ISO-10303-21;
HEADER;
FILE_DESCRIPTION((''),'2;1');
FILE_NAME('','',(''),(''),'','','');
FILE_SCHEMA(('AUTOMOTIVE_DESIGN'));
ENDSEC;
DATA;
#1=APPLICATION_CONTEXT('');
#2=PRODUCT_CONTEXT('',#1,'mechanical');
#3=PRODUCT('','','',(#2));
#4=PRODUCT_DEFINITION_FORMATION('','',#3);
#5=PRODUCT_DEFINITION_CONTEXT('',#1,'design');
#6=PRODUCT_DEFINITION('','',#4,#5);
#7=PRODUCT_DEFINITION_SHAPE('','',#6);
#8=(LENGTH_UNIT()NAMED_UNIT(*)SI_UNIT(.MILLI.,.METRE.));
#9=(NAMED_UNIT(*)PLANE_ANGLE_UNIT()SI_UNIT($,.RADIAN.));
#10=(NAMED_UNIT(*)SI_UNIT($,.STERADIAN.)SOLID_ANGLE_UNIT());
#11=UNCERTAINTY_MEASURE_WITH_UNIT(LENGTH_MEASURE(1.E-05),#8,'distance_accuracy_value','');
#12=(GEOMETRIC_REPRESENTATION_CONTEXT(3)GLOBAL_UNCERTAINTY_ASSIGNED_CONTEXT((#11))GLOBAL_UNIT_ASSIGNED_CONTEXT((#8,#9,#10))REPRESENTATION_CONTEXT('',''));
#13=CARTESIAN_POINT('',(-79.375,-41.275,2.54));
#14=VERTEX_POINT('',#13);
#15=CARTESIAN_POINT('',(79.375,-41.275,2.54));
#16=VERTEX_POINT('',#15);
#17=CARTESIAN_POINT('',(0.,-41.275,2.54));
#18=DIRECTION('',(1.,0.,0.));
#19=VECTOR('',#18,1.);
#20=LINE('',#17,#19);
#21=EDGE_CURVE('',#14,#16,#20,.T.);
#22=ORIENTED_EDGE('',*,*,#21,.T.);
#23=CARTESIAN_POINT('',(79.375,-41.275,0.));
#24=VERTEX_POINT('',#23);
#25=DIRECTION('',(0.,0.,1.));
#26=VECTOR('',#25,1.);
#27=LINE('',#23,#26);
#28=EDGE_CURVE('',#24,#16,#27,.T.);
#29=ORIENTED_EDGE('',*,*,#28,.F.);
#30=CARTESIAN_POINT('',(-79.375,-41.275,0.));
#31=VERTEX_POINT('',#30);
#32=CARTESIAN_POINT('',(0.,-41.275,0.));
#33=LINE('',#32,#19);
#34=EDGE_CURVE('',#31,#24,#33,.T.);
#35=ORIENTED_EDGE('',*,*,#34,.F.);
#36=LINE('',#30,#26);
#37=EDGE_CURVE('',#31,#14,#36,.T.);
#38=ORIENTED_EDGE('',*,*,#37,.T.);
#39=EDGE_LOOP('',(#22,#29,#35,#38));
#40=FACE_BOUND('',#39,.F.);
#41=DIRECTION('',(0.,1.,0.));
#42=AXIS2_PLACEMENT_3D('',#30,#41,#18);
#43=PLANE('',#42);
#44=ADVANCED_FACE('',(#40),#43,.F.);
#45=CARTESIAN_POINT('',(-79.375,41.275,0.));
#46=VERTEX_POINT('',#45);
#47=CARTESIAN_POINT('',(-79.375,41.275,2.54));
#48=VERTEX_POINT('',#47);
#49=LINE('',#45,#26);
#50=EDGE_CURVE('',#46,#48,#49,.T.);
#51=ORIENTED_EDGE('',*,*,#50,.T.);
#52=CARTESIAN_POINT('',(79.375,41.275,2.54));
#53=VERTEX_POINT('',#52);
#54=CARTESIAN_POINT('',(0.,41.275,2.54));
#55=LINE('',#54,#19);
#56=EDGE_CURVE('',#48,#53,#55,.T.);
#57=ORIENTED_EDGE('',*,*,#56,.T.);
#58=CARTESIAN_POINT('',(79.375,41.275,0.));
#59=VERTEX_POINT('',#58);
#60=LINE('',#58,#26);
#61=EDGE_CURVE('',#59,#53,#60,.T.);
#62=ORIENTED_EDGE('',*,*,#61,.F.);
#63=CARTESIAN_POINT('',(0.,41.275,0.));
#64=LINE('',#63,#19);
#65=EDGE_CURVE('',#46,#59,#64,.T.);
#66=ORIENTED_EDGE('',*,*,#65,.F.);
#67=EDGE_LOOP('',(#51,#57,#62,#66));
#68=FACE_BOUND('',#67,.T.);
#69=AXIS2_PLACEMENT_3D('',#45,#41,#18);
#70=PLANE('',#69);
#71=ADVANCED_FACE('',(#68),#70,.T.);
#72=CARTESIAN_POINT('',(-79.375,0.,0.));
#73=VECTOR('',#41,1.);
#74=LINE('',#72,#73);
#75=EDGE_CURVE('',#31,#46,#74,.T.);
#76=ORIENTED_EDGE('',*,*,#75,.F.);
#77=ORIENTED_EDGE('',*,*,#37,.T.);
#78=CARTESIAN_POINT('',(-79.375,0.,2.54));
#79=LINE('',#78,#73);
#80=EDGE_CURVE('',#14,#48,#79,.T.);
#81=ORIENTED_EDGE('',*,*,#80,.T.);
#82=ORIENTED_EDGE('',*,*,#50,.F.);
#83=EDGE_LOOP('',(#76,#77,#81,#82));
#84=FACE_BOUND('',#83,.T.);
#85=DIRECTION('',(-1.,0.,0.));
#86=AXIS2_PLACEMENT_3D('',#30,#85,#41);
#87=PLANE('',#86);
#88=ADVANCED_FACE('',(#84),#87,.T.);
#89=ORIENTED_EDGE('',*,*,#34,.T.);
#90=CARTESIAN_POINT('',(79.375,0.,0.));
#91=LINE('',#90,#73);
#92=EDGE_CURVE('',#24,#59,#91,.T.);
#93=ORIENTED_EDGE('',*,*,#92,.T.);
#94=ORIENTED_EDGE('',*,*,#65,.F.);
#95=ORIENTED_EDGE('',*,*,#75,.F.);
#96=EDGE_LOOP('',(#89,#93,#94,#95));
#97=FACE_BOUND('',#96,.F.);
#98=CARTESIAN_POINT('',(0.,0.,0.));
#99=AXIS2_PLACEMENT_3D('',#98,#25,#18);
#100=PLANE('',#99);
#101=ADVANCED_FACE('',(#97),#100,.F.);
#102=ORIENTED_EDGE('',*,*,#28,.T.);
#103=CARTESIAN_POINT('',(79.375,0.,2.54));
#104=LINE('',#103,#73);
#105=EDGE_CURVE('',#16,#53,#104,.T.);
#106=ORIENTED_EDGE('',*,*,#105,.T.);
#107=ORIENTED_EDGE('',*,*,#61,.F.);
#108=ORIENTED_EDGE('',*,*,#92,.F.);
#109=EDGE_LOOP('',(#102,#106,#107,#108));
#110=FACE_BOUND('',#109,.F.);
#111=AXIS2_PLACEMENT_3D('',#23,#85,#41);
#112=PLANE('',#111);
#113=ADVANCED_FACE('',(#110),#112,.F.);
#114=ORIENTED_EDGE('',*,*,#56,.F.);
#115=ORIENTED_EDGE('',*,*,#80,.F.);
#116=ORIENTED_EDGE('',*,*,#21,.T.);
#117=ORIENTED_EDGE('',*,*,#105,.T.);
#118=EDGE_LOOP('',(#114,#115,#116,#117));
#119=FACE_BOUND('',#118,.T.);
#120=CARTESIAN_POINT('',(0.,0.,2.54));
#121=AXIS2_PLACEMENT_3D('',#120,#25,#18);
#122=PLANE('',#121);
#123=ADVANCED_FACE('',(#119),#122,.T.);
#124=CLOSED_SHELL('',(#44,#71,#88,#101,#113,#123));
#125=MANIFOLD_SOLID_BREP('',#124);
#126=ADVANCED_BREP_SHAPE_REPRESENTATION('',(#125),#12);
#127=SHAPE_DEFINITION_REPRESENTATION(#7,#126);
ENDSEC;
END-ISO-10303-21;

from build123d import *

# Parameters (mm, degrees)
F0_W     = 158.75
F0_H     = 82.55
F0_W_2   = 152.4
F0_H_2   = 76.2
F0_W_3   = 127
F0_H_3   = 50.8
F1_DEPTH = 2.54


with BuildPart() as f1:
    # F0 (on Top) → F1 (new body)
    with BuildSketch(Plane.XY):
        Rectangle(F0_W, F0_H)
        Rectangle(F0_W_2, F0_H_2, mode=Mode.SUBTRACT)
        Rectangle(F0_W_2, F0_H_2)
        Rectangle(F0_W_3, F0_H_3, mode=Mode.SUBTRACT)
        Rectangle(F0_W_3, F0_H_3)
    extrude(amount=F1_DEPTH)


solid = f1.part
